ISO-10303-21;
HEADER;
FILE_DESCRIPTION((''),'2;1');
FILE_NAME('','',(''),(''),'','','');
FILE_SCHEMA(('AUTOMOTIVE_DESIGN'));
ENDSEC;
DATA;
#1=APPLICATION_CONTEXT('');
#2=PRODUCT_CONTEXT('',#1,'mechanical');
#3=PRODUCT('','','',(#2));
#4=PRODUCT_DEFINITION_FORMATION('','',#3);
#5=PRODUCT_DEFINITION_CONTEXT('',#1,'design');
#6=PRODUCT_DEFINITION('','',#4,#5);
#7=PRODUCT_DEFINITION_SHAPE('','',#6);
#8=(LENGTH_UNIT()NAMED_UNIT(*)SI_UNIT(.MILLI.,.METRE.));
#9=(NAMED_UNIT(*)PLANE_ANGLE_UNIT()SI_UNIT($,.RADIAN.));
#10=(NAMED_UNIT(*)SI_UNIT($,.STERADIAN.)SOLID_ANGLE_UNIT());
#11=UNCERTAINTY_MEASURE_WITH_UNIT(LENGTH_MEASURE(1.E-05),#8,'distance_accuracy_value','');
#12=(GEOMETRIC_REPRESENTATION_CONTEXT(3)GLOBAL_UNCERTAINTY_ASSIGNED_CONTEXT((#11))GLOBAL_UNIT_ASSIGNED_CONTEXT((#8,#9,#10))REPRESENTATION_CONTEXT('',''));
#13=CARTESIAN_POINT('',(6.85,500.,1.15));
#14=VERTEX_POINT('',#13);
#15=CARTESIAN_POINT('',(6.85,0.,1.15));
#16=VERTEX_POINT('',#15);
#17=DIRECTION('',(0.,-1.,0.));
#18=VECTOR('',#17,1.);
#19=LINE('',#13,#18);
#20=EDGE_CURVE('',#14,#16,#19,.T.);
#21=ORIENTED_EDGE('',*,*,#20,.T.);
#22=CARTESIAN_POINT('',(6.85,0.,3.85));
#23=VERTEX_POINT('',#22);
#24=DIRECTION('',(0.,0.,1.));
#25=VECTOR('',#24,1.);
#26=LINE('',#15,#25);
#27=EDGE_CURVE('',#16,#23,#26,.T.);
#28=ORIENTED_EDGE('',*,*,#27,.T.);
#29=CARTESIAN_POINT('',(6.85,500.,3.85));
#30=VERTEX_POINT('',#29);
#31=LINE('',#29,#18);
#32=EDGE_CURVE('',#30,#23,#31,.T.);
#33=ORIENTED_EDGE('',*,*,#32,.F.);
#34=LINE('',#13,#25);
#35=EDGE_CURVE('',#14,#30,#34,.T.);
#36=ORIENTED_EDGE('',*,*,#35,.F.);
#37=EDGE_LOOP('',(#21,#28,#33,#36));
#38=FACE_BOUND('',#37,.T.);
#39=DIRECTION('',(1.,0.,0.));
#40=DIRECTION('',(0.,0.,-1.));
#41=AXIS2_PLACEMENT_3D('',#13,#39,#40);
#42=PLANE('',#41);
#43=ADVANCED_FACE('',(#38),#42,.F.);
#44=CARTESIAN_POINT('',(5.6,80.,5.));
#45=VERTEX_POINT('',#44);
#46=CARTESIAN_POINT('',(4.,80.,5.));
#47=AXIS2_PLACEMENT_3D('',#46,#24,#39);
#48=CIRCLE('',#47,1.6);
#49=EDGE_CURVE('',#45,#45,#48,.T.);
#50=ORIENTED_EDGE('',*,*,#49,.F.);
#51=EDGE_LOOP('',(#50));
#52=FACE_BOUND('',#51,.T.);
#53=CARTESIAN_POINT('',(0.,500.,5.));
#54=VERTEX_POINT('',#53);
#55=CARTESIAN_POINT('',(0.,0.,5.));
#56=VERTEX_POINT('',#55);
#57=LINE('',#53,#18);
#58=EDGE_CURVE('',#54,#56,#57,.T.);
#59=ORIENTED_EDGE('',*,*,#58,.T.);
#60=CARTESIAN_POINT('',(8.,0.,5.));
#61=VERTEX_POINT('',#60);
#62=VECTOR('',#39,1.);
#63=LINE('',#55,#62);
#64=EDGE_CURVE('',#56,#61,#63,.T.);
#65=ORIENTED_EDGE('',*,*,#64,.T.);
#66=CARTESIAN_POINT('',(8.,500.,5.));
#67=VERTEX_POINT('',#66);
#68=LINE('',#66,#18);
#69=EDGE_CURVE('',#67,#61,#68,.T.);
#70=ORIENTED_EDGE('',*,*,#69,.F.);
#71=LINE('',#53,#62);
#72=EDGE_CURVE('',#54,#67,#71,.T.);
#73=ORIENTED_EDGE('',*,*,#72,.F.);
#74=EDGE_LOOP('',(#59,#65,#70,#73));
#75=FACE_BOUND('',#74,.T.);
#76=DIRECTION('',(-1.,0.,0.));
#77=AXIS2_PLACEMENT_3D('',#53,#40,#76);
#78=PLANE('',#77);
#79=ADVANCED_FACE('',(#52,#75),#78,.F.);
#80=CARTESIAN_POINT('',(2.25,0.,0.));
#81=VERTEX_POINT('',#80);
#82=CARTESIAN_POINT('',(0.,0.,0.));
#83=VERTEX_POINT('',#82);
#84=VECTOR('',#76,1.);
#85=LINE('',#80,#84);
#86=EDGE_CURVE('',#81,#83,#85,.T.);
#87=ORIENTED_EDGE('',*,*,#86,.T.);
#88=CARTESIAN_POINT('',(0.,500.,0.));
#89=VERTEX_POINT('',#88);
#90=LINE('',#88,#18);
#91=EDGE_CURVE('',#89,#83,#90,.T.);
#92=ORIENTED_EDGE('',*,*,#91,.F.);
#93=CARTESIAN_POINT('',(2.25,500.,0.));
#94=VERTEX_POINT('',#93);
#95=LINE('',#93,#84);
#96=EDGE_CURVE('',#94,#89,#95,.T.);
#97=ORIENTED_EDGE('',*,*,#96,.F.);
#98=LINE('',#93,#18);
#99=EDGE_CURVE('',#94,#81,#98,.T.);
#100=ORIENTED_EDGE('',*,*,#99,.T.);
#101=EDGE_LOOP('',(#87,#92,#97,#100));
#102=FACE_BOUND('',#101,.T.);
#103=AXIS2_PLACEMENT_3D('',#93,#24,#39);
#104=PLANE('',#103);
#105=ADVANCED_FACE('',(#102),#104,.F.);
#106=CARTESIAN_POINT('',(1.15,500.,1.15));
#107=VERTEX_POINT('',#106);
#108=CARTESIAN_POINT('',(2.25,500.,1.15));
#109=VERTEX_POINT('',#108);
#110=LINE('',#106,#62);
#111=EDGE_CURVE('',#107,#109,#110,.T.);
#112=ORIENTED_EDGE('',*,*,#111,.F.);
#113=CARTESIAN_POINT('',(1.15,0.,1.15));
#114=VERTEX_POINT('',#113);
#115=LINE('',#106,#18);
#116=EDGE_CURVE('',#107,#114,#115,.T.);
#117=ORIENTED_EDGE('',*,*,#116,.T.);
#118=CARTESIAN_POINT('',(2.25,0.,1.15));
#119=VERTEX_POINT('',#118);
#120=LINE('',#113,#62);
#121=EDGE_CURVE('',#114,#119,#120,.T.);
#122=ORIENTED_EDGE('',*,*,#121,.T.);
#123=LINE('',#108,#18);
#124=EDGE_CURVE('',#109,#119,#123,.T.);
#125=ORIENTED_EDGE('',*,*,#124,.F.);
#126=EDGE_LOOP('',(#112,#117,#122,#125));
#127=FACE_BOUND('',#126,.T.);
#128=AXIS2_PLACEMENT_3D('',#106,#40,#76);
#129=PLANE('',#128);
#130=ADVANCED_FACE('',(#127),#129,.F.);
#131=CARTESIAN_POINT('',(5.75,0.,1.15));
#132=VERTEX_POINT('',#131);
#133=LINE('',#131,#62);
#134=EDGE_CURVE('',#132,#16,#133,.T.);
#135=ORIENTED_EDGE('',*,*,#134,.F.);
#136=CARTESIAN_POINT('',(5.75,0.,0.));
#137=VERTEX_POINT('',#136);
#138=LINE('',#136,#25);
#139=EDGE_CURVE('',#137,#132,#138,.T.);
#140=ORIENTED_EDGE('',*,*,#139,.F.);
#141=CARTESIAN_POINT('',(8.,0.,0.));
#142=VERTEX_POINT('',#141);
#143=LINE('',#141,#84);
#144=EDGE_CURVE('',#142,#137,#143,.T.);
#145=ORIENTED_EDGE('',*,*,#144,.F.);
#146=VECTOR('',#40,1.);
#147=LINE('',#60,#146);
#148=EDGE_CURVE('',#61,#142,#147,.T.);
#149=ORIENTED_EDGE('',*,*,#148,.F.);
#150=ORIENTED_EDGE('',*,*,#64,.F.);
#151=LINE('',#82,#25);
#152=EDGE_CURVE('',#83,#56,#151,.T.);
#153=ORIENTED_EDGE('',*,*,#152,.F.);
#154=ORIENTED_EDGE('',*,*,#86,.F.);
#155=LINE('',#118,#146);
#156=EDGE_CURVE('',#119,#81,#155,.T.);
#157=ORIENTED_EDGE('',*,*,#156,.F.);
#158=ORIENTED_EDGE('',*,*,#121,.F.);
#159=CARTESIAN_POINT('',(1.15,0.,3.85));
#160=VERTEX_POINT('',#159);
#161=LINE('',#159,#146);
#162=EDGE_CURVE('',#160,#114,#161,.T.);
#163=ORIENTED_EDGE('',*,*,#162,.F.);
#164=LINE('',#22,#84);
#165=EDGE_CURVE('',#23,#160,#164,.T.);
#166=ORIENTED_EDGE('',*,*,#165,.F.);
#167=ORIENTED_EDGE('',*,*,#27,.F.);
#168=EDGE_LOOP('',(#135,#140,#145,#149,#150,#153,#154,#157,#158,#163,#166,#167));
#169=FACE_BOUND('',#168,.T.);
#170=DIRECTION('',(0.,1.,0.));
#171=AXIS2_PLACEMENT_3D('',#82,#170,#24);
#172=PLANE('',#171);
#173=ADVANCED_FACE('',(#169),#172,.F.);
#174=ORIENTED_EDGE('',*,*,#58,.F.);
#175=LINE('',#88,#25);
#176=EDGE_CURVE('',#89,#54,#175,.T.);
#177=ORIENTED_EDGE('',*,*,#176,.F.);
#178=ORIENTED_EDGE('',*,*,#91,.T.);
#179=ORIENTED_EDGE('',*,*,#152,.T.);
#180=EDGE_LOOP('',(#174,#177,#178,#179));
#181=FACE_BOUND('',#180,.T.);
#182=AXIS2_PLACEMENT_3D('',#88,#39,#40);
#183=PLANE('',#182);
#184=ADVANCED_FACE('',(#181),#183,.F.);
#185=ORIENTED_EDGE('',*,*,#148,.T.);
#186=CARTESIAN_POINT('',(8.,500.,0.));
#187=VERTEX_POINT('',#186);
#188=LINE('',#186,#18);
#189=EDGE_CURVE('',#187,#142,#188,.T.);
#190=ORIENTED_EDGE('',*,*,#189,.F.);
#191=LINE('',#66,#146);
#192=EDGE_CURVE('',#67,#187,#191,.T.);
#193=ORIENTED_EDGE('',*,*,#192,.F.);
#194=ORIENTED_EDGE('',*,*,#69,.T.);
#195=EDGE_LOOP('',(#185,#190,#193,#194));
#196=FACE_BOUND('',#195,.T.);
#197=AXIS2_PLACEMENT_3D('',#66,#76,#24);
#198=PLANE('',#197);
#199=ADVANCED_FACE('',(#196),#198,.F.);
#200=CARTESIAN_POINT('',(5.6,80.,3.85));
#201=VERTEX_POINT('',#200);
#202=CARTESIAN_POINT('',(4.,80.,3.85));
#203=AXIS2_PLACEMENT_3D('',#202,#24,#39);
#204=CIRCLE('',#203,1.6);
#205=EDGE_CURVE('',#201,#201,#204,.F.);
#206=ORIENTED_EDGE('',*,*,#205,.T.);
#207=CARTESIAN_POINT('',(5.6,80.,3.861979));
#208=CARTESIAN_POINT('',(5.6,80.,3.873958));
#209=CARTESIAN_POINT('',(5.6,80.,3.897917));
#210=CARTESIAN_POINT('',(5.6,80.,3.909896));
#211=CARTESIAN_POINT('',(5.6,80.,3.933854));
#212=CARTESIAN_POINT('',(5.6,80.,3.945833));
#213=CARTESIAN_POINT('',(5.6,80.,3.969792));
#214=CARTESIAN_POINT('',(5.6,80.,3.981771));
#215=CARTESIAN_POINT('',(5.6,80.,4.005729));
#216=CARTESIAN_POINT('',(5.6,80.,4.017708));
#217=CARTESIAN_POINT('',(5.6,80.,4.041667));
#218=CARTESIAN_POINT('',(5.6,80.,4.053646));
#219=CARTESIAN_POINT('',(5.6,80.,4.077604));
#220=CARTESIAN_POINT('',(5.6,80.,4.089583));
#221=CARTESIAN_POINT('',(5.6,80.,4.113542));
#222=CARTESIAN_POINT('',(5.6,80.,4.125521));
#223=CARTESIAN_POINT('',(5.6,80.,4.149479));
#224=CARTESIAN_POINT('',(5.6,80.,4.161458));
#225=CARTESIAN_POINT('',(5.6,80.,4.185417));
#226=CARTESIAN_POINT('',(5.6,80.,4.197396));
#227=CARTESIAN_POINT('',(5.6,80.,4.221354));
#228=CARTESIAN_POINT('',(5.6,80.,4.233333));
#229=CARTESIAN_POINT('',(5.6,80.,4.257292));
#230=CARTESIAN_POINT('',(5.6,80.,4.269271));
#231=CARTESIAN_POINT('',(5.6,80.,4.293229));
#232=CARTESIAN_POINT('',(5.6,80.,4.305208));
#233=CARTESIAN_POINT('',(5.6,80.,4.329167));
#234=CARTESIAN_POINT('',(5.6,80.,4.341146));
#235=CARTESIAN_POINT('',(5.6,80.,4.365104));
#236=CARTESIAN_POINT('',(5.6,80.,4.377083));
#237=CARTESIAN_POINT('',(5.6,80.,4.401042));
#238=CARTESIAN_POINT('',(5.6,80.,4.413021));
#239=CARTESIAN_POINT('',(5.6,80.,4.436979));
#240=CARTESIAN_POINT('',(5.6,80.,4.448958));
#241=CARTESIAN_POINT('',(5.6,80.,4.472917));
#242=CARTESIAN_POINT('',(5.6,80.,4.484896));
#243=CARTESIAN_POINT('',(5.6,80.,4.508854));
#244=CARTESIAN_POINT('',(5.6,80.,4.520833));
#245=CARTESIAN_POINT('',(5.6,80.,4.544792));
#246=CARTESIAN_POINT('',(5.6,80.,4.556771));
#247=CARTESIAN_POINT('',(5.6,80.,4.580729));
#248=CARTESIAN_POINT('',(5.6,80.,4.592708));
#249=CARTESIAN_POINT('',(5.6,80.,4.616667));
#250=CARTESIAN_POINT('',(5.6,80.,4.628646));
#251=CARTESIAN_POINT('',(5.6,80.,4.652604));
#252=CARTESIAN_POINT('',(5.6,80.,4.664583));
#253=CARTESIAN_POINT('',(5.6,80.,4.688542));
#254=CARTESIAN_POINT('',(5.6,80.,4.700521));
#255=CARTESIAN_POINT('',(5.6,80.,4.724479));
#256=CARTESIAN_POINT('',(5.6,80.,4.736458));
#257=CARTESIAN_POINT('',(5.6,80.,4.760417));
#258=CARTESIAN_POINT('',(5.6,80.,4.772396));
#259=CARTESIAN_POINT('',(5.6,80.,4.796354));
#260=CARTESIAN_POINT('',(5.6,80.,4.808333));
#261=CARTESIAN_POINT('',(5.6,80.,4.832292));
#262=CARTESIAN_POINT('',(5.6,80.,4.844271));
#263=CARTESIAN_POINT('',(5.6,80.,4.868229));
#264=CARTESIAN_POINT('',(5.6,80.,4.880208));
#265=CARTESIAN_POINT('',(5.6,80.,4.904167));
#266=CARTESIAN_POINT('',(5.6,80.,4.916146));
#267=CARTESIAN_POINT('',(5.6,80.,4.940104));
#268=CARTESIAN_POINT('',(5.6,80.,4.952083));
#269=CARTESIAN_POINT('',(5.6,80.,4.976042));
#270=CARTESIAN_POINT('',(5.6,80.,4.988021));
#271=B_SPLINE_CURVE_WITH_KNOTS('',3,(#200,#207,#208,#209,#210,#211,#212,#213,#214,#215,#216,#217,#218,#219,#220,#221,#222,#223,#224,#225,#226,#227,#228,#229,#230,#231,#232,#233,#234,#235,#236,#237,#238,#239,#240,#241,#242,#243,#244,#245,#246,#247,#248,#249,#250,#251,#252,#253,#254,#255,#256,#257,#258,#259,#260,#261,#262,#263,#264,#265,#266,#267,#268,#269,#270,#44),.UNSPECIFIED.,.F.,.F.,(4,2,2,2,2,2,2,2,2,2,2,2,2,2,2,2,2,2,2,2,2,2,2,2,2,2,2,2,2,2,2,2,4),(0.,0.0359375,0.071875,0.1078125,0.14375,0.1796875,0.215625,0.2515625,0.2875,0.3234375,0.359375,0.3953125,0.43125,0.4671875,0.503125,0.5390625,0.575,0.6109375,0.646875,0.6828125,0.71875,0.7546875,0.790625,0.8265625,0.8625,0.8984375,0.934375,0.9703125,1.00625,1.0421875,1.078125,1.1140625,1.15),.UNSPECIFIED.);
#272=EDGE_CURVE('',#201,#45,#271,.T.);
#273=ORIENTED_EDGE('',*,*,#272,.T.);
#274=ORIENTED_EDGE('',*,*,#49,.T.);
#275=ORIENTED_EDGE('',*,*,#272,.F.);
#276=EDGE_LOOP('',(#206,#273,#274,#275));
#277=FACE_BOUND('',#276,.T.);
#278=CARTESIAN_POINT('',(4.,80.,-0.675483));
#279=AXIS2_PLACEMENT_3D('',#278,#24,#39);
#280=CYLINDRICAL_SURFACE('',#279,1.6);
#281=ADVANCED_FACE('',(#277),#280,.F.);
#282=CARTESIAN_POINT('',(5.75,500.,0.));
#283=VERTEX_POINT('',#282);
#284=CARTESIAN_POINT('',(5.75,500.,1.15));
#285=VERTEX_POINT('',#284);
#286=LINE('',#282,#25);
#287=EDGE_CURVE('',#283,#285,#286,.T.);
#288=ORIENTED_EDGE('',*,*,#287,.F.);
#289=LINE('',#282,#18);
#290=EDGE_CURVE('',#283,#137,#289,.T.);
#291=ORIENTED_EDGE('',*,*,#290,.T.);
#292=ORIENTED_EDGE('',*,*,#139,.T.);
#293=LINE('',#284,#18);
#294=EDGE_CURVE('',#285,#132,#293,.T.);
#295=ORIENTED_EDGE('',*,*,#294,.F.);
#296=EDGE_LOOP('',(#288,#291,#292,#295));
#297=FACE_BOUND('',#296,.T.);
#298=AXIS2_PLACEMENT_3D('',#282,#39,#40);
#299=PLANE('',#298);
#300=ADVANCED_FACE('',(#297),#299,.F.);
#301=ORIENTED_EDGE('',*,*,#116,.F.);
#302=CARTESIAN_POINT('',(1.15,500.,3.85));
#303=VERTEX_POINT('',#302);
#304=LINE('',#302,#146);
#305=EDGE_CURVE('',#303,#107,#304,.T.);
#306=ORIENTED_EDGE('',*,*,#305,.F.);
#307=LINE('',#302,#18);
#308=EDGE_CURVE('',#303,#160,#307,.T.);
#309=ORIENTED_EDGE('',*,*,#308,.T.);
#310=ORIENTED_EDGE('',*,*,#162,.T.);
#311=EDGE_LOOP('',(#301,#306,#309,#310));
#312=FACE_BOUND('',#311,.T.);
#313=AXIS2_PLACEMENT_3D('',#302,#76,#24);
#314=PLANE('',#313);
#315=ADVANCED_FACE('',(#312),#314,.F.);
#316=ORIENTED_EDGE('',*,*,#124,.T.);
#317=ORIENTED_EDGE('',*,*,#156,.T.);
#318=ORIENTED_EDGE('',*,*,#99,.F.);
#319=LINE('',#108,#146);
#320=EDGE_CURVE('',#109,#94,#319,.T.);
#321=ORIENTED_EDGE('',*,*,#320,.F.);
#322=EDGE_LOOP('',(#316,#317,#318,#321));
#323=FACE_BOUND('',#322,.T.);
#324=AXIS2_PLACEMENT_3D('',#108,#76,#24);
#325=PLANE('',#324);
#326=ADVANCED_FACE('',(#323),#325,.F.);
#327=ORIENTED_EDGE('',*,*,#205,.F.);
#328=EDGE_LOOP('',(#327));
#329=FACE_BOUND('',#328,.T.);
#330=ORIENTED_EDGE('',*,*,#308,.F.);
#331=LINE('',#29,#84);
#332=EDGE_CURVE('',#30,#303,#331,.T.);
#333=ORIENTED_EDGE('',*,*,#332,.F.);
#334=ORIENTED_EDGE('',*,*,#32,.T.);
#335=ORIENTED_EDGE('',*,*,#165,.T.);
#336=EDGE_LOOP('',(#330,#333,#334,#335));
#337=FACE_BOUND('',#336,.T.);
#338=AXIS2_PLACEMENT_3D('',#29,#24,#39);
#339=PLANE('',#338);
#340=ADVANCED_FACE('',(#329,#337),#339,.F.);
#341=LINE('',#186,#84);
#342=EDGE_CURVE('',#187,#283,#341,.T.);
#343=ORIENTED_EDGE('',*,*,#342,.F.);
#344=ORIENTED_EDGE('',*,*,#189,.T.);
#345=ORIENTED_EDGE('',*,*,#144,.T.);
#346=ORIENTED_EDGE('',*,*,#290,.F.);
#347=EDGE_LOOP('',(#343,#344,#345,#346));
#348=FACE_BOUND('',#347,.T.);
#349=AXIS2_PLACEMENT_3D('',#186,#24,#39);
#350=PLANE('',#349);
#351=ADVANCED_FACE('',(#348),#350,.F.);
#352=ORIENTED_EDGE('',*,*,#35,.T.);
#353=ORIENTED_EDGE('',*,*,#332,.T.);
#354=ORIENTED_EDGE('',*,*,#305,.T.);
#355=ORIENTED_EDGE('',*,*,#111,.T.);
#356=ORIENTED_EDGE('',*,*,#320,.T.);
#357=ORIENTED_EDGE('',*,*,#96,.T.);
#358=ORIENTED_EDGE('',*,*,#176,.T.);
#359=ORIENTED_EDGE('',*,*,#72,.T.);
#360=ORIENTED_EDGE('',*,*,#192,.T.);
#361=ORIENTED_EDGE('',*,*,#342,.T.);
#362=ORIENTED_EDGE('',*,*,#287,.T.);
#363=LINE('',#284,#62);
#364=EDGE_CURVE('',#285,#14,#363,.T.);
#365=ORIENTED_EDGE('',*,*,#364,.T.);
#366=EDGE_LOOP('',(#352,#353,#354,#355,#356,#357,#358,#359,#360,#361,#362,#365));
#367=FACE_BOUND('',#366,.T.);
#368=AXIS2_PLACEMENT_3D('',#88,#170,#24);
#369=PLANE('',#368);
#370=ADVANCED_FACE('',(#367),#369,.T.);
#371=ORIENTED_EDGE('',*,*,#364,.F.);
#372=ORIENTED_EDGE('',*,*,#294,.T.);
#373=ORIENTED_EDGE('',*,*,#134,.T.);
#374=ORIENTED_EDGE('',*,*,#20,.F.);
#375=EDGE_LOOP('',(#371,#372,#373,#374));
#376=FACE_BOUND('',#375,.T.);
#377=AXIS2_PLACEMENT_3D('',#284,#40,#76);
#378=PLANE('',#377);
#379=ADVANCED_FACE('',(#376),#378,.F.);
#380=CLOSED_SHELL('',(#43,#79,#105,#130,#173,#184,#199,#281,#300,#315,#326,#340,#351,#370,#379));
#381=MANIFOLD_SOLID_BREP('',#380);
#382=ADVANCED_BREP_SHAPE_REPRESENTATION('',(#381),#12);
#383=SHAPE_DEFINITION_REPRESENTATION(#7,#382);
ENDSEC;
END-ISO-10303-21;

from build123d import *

# Parameters (mm, degrees)
EXTRUDE_1_DEPTH     = 500
SKETCH_2_R          = 1.6
CUT_EXTRUDE_1_DEPTH = 1.15


with BuildPart() as part:
    # 草图1 → 凸台-拉伸1 (new body)
    with BuildSketch(Plane(origin=(0, 0, 0), x_dir=(1, 0, 0), z_dir=(0, 1, 0))):
        Polygon((0, -5), (8, -5), (8, 0), (5.75, 0), (5.75, -1.15), (6.85, -1.15), (6.85, -3.85), (1.15, -3.85), (1.15, -1.15), (2.25, -1.15), (2.25, 0), (0, 0), align=None)
    extrude(amount=EXTRUDE_1_DEPTH)

    # 草图2 → 切除-拉伸1 (cut)
    with BuildSketch(Plane.XY.offset(5)):
        with Locations((4, 80)):
            Circle(SKETCH_2_R)
    extrude(amount=-CUT_EXTRUDE_1_DEPTH, mode=Mode.SUBTRACT)


solid = part.part
